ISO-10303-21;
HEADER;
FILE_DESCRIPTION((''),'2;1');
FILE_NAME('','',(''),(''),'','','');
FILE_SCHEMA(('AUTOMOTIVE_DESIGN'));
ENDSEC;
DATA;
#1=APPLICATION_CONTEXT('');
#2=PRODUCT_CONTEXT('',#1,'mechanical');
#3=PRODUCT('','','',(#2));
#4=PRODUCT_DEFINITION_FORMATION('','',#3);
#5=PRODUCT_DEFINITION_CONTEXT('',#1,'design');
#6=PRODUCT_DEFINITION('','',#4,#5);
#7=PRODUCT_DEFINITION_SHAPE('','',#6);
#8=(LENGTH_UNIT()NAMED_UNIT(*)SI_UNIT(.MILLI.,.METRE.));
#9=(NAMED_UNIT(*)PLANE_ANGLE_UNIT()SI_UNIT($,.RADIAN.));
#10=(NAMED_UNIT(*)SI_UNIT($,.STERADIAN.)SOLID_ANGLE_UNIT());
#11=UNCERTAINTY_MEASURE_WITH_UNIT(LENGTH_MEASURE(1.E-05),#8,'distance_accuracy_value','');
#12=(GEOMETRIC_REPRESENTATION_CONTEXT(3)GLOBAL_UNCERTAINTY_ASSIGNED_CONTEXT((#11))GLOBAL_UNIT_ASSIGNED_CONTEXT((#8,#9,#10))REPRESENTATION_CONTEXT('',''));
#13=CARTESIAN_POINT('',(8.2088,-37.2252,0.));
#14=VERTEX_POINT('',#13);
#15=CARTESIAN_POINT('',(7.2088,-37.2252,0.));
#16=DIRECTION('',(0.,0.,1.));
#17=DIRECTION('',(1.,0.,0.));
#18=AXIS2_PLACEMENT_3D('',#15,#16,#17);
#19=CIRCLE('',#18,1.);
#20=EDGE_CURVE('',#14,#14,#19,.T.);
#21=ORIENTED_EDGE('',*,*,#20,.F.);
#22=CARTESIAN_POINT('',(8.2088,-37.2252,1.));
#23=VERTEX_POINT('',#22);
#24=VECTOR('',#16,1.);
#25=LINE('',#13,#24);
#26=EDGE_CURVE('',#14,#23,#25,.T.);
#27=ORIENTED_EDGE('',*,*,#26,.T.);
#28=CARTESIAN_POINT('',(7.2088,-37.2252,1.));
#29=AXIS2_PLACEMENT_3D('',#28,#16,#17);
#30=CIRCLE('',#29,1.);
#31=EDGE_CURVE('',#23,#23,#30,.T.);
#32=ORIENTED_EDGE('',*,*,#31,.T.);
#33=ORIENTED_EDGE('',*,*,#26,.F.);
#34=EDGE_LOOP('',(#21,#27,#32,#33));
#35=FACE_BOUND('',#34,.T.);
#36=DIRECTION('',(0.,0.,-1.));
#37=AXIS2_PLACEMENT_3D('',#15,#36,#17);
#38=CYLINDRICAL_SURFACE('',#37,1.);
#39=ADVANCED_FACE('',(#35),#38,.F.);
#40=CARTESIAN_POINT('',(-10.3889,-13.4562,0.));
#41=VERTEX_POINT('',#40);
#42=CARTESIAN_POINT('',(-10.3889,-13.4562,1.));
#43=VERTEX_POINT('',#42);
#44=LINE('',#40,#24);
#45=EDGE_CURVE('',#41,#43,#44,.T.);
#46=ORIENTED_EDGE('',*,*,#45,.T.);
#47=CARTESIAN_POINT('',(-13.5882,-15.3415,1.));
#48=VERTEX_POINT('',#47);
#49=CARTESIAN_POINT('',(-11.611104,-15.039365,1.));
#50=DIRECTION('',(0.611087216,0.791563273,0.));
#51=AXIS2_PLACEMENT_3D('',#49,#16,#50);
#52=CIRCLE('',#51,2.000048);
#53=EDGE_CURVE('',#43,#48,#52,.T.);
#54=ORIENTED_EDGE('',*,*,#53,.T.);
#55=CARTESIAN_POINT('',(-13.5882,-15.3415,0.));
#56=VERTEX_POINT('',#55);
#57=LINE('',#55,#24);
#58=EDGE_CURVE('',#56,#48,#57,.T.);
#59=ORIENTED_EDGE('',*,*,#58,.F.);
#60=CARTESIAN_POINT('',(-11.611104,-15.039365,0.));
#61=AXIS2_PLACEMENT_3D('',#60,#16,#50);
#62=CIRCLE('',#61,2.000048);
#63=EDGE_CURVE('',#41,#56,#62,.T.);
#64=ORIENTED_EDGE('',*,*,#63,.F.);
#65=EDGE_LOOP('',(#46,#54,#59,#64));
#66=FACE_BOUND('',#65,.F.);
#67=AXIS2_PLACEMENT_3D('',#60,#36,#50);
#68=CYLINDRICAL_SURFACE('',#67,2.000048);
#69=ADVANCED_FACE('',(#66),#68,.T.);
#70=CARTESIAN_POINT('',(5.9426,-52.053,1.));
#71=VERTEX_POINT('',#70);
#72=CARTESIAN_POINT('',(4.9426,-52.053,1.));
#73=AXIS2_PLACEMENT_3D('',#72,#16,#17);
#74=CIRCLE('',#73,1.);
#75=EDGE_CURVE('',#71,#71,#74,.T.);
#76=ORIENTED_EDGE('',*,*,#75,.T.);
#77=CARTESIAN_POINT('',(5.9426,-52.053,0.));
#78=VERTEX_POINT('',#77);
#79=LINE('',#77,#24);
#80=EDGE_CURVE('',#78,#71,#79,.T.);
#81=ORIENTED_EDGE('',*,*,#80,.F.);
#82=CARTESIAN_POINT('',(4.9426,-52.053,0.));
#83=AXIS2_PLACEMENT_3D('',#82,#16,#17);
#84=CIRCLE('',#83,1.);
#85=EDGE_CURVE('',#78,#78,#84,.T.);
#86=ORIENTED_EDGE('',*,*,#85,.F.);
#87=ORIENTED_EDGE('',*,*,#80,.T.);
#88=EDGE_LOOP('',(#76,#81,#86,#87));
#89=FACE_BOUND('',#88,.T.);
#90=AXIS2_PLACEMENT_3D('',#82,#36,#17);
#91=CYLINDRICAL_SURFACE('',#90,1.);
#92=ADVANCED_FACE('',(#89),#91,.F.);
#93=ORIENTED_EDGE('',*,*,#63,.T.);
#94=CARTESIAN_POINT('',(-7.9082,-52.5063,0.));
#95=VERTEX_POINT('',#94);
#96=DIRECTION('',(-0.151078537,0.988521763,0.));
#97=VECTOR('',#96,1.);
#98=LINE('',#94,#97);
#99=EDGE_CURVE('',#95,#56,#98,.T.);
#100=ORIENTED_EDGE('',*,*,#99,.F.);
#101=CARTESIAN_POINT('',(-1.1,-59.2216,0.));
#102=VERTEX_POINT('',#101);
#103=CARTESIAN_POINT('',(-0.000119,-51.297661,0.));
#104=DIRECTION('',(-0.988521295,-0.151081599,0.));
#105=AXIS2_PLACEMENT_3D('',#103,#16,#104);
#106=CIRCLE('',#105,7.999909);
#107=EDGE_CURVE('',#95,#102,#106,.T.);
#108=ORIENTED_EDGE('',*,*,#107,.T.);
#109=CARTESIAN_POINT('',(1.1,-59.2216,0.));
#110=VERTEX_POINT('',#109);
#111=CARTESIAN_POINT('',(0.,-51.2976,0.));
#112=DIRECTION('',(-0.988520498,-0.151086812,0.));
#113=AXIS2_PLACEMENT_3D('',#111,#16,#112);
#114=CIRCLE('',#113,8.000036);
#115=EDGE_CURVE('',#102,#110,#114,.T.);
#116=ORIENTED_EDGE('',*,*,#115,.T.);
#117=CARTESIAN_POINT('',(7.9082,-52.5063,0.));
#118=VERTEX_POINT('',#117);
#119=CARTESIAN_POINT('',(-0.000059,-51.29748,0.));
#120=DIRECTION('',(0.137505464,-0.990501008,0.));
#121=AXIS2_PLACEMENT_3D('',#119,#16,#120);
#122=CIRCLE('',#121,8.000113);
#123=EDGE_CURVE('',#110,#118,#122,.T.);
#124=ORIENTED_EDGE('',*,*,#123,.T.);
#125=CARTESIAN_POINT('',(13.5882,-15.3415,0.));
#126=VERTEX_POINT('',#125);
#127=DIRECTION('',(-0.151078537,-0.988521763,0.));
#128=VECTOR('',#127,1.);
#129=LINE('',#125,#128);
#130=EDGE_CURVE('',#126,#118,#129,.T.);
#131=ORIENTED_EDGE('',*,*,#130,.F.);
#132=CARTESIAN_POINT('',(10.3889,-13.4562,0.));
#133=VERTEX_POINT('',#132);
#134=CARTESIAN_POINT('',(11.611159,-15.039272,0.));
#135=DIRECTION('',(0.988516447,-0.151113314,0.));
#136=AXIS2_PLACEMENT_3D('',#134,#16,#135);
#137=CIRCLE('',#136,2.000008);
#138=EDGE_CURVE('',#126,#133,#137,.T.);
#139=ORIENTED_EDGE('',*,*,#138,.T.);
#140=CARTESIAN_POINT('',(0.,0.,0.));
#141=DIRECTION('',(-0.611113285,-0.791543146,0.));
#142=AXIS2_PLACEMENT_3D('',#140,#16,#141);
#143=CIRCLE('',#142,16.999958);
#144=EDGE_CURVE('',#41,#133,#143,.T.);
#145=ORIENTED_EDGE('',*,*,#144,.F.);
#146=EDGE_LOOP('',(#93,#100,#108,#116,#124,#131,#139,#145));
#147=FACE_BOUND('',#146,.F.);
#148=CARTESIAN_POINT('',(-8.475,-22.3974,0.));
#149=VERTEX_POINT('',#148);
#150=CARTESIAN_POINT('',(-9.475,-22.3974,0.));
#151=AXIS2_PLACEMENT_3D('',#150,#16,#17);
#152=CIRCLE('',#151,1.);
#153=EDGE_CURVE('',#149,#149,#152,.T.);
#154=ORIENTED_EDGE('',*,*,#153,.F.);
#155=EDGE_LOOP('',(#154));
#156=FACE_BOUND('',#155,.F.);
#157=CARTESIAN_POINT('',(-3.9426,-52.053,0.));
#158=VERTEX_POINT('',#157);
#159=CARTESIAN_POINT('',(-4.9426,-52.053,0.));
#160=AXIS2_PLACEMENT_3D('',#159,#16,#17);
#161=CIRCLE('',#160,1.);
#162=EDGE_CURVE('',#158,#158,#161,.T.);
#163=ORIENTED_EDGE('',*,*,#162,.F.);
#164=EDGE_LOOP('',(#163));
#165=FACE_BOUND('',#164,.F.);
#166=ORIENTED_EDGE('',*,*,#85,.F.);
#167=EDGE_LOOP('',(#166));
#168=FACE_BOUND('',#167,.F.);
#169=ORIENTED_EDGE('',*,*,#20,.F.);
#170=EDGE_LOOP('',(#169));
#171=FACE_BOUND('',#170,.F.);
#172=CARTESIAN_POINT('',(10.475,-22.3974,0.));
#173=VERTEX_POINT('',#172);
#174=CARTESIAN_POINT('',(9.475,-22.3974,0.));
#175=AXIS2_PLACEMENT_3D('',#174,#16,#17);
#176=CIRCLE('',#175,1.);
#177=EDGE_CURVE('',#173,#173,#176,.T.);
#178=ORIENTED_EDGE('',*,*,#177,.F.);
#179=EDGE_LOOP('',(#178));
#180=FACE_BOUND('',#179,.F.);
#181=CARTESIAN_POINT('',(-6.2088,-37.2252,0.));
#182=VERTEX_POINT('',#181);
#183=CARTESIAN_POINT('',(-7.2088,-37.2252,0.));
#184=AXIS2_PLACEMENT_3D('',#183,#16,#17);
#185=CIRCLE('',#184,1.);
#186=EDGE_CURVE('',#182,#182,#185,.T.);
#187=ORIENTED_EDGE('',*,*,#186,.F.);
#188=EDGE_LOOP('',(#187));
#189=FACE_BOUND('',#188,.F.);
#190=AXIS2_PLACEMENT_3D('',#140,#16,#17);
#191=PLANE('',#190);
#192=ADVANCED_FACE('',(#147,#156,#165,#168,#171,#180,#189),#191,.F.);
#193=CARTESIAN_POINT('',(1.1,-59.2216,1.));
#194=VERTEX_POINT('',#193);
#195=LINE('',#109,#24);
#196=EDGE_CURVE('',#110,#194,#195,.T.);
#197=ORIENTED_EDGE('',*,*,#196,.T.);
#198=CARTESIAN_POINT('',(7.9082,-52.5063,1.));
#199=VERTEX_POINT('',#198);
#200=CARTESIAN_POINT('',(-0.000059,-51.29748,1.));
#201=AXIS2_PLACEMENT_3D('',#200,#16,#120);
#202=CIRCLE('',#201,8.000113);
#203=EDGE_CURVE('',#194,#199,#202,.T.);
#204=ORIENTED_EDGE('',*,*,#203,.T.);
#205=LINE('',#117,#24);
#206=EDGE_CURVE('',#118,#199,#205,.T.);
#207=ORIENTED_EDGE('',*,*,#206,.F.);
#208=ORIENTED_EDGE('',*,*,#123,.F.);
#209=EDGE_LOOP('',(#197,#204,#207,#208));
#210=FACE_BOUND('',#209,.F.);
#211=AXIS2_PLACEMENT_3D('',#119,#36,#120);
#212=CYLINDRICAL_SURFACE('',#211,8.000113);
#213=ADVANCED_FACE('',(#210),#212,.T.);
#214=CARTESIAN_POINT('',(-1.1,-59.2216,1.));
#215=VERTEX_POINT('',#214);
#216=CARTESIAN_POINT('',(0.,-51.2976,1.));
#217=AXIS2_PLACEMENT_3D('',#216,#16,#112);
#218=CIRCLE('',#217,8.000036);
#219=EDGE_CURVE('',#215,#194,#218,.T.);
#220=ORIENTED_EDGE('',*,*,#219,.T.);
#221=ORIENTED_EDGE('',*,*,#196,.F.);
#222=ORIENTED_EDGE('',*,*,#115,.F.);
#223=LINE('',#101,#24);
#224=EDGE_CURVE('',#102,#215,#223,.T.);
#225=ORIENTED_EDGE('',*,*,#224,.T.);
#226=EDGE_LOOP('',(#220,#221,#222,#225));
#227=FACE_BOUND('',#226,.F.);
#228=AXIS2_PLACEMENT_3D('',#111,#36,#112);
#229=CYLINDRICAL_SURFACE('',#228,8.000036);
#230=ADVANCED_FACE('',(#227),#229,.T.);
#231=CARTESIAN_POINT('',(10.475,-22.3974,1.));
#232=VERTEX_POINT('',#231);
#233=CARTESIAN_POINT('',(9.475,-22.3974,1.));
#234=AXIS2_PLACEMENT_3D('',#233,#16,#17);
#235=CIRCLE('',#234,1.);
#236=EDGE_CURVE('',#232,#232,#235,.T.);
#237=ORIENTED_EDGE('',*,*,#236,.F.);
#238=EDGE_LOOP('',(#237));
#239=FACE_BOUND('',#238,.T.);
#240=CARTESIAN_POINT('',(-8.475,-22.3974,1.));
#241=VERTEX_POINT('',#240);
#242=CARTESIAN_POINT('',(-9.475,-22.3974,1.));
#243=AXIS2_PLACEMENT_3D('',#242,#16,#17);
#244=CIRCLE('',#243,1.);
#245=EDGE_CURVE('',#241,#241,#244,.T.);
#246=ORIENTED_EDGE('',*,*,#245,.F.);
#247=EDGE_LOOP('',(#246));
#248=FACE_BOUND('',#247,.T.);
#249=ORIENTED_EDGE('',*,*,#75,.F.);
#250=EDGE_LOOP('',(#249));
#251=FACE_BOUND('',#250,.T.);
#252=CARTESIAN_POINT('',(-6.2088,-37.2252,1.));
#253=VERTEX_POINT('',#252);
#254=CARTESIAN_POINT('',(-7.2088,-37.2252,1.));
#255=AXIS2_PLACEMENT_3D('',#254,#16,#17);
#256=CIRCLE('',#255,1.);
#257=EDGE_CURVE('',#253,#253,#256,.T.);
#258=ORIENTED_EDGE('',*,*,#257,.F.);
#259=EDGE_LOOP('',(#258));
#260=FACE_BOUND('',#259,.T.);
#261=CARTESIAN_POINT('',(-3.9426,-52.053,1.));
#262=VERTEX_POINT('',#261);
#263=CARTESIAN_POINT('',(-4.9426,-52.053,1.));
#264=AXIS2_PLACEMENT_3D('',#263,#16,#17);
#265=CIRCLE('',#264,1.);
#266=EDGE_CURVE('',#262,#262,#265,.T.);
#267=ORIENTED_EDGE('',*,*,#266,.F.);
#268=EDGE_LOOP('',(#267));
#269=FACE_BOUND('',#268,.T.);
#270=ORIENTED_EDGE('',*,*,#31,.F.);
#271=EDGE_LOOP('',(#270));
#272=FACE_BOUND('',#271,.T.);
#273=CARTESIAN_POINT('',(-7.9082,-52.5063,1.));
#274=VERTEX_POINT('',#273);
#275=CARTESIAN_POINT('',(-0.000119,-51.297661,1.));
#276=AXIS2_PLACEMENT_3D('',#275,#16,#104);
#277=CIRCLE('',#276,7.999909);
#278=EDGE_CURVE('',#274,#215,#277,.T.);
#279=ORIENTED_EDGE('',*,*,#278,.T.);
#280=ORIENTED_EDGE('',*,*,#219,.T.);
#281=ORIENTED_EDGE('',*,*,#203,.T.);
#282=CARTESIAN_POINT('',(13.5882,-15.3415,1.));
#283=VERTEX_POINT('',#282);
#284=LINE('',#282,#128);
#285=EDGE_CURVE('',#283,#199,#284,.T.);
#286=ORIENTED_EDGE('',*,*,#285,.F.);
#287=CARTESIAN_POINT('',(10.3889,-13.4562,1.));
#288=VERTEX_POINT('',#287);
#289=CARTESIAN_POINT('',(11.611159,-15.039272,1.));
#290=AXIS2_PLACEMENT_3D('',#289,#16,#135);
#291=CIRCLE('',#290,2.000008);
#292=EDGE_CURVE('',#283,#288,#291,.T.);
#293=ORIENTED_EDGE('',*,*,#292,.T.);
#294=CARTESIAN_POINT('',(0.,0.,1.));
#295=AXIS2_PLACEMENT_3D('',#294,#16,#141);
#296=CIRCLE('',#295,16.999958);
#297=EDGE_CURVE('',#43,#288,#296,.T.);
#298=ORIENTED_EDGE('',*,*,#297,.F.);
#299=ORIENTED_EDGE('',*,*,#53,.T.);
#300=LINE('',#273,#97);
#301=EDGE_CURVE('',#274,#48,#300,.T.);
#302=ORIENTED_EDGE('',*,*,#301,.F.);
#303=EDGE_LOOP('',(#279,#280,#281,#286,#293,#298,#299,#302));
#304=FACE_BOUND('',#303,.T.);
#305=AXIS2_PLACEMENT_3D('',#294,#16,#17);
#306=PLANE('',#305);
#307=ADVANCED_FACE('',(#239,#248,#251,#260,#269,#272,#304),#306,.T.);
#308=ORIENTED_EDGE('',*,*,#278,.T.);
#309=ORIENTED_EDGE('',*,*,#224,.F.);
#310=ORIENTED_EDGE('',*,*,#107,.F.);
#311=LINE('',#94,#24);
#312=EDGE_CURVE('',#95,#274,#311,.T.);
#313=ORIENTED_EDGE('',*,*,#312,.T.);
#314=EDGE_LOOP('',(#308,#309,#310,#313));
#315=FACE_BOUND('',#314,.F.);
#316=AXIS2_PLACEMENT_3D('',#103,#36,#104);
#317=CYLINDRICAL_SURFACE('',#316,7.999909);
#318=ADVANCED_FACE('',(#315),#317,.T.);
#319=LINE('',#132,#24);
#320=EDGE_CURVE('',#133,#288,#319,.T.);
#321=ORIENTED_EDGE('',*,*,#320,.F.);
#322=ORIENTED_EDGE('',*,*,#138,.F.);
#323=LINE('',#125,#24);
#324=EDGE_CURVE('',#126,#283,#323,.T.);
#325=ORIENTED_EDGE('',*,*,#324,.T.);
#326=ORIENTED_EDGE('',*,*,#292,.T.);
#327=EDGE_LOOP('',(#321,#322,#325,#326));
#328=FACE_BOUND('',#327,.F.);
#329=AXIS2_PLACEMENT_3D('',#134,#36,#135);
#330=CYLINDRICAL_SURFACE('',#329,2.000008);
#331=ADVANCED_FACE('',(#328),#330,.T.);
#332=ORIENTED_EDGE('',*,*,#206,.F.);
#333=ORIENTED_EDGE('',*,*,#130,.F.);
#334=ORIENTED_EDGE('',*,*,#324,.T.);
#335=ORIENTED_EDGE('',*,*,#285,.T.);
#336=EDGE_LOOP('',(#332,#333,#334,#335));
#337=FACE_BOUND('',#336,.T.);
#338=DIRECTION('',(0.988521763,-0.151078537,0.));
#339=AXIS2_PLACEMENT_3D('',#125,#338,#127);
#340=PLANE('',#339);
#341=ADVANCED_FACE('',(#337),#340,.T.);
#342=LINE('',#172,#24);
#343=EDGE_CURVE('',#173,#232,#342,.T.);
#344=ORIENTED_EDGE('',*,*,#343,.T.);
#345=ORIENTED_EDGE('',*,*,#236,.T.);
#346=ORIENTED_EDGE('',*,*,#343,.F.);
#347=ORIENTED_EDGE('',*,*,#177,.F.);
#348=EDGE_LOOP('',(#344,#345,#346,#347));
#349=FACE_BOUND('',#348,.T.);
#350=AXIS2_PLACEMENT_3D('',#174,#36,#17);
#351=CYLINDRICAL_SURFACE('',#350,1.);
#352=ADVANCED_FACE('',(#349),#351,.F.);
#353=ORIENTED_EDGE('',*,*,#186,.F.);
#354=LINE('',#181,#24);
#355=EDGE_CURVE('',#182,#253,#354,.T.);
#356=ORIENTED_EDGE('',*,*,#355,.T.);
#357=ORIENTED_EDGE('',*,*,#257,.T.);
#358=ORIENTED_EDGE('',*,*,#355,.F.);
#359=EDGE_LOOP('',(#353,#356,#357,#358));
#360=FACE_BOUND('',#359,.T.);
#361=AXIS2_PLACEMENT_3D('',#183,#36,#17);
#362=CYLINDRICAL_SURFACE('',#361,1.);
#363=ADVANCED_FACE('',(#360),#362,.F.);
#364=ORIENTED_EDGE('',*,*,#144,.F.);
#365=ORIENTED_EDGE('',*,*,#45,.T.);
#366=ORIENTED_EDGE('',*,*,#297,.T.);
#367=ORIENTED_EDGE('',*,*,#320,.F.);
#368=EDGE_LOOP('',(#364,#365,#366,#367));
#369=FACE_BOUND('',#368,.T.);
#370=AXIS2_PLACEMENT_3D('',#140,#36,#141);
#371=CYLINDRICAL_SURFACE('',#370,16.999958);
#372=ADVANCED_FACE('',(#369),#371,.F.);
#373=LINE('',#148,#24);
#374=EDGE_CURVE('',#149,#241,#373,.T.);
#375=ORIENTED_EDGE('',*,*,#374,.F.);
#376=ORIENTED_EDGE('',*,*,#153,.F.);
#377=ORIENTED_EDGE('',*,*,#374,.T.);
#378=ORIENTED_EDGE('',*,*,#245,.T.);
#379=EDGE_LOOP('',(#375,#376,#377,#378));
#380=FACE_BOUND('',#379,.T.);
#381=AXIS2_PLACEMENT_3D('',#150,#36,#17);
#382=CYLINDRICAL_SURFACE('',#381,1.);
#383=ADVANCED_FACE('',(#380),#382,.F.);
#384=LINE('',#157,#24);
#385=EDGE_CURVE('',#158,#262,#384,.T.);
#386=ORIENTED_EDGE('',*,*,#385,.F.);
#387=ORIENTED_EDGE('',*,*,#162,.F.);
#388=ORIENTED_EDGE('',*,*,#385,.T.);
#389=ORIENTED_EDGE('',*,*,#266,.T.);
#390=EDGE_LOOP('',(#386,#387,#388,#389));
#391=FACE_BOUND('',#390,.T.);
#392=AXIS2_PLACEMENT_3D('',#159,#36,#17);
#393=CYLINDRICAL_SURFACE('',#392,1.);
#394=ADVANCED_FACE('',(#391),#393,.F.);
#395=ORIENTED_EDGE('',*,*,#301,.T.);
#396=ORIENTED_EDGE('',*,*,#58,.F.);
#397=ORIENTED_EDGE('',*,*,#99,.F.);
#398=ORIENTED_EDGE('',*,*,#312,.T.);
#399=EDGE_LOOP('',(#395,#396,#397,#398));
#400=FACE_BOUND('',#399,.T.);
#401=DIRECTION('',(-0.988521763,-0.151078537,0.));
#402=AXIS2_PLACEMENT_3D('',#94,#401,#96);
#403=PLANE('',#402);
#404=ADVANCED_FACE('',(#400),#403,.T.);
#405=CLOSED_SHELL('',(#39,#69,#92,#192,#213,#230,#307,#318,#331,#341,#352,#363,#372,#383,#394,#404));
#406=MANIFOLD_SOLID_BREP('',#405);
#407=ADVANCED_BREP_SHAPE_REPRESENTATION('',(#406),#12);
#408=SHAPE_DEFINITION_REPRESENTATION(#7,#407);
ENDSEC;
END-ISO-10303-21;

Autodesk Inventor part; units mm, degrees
ref_plane "YZ Plane" through (0, 0, 0) normal (1, 0, 0) x (0, 1, 0)
ref_plane "XZ Plane" through (0, 0, 0) normal (0, 1, 0) x (-1, 0, 0)
ref_plane "XY Plane" through (0, 0, 0) normal (0, 0, 1) x (1, 0, 0)
sketch "スケッチ1" plane through (0, 0, 0) normal (0, 0, 1) x (1, 0, 0)
  circle A0 centre (4.9426, -52.053) radius 1
  circle A1 centre (7.2088, -37.2252) radius 1
  circle A2 centre (9.475, -22.3974) radius 1
  circle A3 centre (-7.2088, -37.2252) radius 1
  circle A4 centre (-4.9426, -52.053) radius 1
  circle A5 centre (-9.475, -22.3974) radius 1
  arc A6 (13.5882, -15.3415) -> (10.3889, -13.4562) centre (11.6111, -15.0393) ccw
  arc A7 (-10.3889, -13.4562) -> (10.3889, -13.4562) centre (0, 0) ccw
  arc A8 (-10.3889, -13.4562) -> (-13.5882, -15.3415) centre (-11.6111, -15.0393) ccw
  line L0 (-7.9082, -52.5063) -> (-13.5882, -15.3415)
  arc A9 (-7.9082, -52.5063) -> (-1.1, -59.2216) centre (0, -51.2976) ccw
  arc A10 (1.1, -59.2216) -> (7.9082, -52.5063) centre (0, -51.2976) ccw
  line L1 (13.5882, -15.3415) -> (7.9082, -52.5063)
  arc A11 (-7.9082, -52.5063) -> (7.9082, -52.5063) centre (0, -51.2976) ccw
extrude "押し出し1" add sketch "スケッチ1" along normal blind 1
properties part number "JointD0cover_2nd" material "アルミニウム 6061"
